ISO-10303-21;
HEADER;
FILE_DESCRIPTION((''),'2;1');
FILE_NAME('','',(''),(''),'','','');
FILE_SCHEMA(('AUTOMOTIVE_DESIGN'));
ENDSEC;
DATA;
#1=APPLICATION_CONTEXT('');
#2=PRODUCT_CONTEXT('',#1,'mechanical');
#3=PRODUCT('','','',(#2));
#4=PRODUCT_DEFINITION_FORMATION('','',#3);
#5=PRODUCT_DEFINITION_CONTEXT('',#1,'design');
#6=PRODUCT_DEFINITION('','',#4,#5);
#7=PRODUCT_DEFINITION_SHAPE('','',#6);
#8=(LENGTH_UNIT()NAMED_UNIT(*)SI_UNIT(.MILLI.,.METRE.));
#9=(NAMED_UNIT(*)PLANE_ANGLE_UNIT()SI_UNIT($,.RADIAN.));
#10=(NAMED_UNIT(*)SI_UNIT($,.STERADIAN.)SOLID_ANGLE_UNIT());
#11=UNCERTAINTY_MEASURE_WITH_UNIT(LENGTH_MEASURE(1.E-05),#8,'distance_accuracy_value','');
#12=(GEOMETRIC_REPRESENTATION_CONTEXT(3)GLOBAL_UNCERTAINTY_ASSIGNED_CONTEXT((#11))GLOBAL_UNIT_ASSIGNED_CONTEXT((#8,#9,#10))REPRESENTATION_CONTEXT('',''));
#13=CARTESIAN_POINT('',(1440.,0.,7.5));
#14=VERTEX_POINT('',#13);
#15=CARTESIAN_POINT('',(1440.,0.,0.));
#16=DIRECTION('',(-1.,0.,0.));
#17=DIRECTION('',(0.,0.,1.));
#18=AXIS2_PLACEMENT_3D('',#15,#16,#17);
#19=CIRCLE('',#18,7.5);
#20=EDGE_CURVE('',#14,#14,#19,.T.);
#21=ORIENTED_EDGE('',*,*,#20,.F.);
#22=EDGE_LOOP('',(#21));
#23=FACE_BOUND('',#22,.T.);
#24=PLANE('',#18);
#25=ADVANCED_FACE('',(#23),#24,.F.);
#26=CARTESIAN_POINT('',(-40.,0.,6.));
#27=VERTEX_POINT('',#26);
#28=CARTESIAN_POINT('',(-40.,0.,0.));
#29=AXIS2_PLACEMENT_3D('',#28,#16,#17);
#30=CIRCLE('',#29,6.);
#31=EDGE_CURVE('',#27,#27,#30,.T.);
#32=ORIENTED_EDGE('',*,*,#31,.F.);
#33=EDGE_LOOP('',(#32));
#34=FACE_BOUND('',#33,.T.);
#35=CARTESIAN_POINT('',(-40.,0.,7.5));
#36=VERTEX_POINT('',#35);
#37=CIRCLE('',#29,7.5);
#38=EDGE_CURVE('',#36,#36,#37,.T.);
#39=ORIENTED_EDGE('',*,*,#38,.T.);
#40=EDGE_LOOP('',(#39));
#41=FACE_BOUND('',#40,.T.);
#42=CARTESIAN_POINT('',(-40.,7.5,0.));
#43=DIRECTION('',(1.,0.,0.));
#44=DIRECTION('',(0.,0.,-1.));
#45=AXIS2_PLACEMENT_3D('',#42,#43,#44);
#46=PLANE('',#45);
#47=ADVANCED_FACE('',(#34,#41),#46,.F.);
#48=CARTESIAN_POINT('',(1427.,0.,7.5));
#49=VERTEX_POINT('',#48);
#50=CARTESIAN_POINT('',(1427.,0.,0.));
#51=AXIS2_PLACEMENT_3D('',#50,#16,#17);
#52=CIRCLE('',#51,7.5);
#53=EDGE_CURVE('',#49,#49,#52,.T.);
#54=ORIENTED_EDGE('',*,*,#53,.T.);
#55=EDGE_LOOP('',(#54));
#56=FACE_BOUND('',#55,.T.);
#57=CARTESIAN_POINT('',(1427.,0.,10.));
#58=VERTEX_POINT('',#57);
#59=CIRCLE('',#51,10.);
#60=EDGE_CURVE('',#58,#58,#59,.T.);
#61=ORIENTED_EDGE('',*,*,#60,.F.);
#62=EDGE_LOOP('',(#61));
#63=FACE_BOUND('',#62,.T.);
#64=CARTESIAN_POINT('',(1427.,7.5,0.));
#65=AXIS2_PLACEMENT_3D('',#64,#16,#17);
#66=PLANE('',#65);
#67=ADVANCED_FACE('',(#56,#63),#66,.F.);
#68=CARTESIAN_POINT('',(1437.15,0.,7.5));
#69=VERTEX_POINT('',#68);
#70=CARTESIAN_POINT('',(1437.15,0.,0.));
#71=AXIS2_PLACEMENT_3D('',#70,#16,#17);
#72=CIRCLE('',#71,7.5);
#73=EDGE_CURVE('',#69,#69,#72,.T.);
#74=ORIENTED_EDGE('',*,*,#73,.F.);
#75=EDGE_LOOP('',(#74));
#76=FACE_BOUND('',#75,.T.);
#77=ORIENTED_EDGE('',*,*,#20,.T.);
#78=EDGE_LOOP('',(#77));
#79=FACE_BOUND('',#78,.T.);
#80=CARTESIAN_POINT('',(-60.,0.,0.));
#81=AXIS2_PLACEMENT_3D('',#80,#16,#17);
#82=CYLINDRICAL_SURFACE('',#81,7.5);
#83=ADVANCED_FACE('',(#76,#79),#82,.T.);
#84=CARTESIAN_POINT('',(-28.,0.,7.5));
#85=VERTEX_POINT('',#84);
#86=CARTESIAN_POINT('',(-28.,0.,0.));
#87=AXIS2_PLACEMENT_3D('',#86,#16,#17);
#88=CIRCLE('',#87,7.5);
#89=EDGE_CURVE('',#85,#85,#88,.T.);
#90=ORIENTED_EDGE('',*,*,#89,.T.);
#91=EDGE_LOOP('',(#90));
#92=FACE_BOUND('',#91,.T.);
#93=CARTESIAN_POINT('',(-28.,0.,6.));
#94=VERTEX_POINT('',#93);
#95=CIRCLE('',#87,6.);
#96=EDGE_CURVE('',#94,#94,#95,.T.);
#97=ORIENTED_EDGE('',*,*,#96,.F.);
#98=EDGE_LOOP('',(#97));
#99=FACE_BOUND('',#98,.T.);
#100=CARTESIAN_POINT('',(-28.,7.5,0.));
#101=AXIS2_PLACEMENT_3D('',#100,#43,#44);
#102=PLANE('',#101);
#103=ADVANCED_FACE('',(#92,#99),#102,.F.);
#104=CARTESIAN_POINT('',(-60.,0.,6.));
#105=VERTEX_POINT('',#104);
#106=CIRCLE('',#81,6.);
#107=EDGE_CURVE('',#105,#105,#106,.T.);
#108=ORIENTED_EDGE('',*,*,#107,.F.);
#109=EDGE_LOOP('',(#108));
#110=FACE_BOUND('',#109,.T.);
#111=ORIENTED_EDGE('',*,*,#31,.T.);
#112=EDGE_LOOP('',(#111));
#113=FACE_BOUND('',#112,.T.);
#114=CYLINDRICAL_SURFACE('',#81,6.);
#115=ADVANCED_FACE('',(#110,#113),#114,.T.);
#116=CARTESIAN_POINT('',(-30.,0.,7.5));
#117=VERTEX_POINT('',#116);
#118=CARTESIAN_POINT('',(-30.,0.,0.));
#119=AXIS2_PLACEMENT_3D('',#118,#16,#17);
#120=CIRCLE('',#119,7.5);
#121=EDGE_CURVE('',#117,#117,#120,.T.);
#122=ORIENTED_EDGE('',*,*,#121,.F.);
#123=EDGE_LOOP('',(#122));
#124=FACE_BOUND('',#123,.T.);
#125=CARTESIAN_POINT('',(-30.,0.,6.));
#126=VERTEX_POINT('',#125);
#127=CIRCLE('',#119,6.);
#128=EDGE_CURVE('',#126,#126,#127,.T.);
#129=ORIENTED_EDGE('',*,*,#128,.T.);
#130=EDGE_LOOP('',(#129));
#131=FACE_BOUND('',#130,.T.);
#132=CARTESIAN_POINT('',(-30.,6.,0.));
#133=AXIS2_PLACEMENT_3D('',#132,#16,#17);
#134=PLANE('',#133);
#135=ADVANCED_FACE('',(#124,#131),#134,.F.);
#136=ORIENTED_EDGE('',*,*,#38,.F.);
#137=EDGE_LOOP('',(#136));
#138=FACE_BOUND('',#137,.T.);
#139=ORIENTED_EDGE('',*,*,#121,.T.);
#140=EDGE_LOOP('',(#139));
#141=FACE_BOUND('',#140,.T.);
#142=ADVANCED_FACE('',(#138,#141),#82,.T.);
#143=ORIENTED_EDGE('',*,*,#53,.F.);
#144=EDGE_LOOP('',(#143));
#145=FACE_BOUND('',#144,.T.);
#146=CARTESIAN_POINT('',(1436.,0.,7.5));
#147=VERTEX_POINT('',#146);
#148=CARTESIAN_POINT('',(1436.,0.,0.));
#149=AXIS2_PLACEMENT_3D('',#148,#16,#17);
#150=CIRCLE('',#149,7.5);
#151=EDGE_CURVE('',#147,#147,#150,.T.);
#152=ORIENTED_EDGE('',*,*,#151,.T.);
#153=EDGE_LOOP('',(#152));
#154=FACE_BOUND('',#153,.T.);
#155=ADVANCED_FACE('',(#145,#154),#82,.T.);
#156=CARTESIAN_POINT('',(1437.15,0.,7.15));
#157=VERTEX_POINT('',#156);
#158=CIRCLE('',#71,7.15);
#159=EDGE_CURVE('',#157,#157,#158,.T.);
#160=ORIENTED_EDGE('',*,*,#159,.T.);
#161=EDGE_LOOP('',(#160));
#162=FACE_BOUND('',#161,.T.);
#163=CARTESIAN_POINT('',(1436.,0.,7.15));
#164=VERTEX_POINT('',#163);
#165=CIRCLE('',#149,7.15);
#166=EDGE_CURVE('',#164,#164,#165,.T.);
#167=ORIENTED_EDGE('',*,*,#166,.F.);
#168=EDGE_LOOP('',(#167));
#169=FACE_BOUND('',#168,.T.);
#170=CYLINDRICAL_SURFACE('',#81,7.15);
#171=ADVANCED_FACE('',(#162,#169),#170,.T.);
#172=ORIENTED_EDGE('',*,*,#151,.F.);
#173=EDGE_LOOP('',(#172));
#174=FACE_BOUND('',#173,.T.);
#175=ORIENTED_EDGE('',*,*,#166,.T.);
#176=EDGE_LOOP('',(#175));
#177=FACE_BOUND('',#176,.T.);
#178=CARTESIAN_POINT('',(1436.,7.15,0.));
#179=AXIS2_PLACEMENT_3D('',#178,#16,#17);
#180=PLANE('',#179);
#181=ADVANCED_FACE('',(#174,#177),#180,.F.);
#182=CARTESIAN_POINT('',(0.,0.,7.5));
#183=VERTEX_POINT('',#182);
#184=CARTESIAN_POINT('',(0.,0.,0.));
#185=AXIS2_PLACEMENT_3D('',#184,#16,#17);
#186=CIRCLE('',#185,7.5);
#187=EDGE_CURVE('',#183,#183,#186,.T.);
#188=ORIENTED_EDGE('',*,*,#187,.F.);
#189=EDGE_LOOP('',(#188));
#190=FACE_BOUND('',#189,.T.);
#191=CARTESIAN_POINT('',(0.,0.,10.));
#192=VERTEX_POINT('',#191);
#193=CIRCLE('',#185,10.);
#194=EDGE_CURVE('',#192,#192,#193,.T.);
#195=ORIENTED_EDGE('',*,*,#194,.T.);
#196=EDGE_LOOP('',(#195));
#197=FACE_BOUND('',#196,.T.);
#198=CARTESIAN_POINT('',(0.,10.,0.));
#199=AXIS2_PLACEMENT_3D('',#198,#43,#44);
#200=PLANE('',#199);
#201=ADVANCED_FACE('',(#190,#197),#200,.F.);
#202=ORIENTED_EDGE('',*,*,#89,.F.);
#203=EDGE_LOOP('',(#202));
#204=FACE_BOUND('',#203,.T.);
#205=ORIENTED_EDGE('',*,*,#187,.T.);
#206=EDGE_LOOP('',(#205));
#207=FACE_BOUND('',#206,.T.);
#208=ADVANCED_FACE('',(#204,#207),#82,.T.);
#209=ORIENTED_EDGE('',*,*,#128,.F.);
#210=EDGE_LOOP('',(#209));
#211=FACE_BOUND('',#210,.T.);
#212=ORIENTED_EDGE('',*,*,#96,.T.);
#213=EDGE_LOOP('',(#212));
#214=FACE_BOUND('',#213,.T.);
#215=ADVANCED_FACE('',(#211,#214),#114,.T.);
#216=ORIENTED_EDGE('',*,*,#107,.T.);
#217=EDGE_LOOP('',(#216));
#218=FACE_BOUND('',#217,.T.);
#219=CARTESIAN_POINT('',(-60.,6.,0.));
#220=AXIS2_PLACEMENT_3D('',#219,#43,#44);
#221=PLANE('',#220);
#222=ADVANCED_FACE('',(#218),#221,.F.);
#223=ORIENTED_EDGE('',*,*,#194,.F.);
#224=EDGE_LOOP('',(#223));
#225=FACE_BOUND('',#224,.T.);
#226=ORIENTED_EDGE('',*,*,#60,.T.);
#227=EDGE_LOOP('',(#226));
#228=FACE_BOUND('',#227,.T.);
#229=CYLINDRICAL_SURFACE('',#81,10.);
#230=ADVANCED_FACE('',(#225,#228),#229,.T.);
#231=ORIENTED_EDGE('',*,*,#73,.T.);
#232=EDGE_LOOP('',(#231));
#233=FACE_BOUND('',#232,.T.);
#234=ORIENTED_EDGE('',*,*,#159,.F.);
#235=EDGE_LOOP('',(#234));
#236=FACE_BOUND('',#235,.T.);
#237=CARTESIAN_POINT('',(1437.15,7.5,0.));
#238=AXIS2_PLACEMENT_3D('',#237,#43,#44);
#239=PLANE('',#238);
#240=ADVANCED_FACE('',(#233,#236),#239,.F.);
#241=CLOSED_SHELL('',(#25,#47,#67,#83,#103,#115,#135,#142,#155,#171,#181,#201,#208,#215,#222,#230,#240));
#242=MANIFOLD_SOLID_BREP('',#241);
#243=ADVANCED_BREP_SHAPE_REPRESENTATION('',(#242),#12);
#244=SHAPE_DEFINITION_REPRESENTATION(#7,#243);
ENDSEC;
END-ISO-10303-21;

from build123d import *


with BuildPart() as part:
    # Sketch1 → Revolve1 (revolve)
    with BuildSketch(Plane.XY, mode=Mode.PRIVATE) as revolve1_sk:
        Polygon((-60, 0), (1440, 0), (1440, 7.5), (1437.15, 7.5), (1437.15, 7.15), (1436, 7.15), (1436, 7.5), (1427, 7.5), (1427, 10), (0, 10), (0, 7.5), (-28, 7.5), (-28, 6), (-30, 6), (-30, 7.5), (-40, 7.5), (-40, 6), (-60, 6), align=None)
    revolve(revolve1_sk.sketch.rotate(Axis((-60, 0, 0), (1, 0, 0)), 90), axis=Axis((-60, 0, 0), (1, 0, 0)))


solid = part.part
